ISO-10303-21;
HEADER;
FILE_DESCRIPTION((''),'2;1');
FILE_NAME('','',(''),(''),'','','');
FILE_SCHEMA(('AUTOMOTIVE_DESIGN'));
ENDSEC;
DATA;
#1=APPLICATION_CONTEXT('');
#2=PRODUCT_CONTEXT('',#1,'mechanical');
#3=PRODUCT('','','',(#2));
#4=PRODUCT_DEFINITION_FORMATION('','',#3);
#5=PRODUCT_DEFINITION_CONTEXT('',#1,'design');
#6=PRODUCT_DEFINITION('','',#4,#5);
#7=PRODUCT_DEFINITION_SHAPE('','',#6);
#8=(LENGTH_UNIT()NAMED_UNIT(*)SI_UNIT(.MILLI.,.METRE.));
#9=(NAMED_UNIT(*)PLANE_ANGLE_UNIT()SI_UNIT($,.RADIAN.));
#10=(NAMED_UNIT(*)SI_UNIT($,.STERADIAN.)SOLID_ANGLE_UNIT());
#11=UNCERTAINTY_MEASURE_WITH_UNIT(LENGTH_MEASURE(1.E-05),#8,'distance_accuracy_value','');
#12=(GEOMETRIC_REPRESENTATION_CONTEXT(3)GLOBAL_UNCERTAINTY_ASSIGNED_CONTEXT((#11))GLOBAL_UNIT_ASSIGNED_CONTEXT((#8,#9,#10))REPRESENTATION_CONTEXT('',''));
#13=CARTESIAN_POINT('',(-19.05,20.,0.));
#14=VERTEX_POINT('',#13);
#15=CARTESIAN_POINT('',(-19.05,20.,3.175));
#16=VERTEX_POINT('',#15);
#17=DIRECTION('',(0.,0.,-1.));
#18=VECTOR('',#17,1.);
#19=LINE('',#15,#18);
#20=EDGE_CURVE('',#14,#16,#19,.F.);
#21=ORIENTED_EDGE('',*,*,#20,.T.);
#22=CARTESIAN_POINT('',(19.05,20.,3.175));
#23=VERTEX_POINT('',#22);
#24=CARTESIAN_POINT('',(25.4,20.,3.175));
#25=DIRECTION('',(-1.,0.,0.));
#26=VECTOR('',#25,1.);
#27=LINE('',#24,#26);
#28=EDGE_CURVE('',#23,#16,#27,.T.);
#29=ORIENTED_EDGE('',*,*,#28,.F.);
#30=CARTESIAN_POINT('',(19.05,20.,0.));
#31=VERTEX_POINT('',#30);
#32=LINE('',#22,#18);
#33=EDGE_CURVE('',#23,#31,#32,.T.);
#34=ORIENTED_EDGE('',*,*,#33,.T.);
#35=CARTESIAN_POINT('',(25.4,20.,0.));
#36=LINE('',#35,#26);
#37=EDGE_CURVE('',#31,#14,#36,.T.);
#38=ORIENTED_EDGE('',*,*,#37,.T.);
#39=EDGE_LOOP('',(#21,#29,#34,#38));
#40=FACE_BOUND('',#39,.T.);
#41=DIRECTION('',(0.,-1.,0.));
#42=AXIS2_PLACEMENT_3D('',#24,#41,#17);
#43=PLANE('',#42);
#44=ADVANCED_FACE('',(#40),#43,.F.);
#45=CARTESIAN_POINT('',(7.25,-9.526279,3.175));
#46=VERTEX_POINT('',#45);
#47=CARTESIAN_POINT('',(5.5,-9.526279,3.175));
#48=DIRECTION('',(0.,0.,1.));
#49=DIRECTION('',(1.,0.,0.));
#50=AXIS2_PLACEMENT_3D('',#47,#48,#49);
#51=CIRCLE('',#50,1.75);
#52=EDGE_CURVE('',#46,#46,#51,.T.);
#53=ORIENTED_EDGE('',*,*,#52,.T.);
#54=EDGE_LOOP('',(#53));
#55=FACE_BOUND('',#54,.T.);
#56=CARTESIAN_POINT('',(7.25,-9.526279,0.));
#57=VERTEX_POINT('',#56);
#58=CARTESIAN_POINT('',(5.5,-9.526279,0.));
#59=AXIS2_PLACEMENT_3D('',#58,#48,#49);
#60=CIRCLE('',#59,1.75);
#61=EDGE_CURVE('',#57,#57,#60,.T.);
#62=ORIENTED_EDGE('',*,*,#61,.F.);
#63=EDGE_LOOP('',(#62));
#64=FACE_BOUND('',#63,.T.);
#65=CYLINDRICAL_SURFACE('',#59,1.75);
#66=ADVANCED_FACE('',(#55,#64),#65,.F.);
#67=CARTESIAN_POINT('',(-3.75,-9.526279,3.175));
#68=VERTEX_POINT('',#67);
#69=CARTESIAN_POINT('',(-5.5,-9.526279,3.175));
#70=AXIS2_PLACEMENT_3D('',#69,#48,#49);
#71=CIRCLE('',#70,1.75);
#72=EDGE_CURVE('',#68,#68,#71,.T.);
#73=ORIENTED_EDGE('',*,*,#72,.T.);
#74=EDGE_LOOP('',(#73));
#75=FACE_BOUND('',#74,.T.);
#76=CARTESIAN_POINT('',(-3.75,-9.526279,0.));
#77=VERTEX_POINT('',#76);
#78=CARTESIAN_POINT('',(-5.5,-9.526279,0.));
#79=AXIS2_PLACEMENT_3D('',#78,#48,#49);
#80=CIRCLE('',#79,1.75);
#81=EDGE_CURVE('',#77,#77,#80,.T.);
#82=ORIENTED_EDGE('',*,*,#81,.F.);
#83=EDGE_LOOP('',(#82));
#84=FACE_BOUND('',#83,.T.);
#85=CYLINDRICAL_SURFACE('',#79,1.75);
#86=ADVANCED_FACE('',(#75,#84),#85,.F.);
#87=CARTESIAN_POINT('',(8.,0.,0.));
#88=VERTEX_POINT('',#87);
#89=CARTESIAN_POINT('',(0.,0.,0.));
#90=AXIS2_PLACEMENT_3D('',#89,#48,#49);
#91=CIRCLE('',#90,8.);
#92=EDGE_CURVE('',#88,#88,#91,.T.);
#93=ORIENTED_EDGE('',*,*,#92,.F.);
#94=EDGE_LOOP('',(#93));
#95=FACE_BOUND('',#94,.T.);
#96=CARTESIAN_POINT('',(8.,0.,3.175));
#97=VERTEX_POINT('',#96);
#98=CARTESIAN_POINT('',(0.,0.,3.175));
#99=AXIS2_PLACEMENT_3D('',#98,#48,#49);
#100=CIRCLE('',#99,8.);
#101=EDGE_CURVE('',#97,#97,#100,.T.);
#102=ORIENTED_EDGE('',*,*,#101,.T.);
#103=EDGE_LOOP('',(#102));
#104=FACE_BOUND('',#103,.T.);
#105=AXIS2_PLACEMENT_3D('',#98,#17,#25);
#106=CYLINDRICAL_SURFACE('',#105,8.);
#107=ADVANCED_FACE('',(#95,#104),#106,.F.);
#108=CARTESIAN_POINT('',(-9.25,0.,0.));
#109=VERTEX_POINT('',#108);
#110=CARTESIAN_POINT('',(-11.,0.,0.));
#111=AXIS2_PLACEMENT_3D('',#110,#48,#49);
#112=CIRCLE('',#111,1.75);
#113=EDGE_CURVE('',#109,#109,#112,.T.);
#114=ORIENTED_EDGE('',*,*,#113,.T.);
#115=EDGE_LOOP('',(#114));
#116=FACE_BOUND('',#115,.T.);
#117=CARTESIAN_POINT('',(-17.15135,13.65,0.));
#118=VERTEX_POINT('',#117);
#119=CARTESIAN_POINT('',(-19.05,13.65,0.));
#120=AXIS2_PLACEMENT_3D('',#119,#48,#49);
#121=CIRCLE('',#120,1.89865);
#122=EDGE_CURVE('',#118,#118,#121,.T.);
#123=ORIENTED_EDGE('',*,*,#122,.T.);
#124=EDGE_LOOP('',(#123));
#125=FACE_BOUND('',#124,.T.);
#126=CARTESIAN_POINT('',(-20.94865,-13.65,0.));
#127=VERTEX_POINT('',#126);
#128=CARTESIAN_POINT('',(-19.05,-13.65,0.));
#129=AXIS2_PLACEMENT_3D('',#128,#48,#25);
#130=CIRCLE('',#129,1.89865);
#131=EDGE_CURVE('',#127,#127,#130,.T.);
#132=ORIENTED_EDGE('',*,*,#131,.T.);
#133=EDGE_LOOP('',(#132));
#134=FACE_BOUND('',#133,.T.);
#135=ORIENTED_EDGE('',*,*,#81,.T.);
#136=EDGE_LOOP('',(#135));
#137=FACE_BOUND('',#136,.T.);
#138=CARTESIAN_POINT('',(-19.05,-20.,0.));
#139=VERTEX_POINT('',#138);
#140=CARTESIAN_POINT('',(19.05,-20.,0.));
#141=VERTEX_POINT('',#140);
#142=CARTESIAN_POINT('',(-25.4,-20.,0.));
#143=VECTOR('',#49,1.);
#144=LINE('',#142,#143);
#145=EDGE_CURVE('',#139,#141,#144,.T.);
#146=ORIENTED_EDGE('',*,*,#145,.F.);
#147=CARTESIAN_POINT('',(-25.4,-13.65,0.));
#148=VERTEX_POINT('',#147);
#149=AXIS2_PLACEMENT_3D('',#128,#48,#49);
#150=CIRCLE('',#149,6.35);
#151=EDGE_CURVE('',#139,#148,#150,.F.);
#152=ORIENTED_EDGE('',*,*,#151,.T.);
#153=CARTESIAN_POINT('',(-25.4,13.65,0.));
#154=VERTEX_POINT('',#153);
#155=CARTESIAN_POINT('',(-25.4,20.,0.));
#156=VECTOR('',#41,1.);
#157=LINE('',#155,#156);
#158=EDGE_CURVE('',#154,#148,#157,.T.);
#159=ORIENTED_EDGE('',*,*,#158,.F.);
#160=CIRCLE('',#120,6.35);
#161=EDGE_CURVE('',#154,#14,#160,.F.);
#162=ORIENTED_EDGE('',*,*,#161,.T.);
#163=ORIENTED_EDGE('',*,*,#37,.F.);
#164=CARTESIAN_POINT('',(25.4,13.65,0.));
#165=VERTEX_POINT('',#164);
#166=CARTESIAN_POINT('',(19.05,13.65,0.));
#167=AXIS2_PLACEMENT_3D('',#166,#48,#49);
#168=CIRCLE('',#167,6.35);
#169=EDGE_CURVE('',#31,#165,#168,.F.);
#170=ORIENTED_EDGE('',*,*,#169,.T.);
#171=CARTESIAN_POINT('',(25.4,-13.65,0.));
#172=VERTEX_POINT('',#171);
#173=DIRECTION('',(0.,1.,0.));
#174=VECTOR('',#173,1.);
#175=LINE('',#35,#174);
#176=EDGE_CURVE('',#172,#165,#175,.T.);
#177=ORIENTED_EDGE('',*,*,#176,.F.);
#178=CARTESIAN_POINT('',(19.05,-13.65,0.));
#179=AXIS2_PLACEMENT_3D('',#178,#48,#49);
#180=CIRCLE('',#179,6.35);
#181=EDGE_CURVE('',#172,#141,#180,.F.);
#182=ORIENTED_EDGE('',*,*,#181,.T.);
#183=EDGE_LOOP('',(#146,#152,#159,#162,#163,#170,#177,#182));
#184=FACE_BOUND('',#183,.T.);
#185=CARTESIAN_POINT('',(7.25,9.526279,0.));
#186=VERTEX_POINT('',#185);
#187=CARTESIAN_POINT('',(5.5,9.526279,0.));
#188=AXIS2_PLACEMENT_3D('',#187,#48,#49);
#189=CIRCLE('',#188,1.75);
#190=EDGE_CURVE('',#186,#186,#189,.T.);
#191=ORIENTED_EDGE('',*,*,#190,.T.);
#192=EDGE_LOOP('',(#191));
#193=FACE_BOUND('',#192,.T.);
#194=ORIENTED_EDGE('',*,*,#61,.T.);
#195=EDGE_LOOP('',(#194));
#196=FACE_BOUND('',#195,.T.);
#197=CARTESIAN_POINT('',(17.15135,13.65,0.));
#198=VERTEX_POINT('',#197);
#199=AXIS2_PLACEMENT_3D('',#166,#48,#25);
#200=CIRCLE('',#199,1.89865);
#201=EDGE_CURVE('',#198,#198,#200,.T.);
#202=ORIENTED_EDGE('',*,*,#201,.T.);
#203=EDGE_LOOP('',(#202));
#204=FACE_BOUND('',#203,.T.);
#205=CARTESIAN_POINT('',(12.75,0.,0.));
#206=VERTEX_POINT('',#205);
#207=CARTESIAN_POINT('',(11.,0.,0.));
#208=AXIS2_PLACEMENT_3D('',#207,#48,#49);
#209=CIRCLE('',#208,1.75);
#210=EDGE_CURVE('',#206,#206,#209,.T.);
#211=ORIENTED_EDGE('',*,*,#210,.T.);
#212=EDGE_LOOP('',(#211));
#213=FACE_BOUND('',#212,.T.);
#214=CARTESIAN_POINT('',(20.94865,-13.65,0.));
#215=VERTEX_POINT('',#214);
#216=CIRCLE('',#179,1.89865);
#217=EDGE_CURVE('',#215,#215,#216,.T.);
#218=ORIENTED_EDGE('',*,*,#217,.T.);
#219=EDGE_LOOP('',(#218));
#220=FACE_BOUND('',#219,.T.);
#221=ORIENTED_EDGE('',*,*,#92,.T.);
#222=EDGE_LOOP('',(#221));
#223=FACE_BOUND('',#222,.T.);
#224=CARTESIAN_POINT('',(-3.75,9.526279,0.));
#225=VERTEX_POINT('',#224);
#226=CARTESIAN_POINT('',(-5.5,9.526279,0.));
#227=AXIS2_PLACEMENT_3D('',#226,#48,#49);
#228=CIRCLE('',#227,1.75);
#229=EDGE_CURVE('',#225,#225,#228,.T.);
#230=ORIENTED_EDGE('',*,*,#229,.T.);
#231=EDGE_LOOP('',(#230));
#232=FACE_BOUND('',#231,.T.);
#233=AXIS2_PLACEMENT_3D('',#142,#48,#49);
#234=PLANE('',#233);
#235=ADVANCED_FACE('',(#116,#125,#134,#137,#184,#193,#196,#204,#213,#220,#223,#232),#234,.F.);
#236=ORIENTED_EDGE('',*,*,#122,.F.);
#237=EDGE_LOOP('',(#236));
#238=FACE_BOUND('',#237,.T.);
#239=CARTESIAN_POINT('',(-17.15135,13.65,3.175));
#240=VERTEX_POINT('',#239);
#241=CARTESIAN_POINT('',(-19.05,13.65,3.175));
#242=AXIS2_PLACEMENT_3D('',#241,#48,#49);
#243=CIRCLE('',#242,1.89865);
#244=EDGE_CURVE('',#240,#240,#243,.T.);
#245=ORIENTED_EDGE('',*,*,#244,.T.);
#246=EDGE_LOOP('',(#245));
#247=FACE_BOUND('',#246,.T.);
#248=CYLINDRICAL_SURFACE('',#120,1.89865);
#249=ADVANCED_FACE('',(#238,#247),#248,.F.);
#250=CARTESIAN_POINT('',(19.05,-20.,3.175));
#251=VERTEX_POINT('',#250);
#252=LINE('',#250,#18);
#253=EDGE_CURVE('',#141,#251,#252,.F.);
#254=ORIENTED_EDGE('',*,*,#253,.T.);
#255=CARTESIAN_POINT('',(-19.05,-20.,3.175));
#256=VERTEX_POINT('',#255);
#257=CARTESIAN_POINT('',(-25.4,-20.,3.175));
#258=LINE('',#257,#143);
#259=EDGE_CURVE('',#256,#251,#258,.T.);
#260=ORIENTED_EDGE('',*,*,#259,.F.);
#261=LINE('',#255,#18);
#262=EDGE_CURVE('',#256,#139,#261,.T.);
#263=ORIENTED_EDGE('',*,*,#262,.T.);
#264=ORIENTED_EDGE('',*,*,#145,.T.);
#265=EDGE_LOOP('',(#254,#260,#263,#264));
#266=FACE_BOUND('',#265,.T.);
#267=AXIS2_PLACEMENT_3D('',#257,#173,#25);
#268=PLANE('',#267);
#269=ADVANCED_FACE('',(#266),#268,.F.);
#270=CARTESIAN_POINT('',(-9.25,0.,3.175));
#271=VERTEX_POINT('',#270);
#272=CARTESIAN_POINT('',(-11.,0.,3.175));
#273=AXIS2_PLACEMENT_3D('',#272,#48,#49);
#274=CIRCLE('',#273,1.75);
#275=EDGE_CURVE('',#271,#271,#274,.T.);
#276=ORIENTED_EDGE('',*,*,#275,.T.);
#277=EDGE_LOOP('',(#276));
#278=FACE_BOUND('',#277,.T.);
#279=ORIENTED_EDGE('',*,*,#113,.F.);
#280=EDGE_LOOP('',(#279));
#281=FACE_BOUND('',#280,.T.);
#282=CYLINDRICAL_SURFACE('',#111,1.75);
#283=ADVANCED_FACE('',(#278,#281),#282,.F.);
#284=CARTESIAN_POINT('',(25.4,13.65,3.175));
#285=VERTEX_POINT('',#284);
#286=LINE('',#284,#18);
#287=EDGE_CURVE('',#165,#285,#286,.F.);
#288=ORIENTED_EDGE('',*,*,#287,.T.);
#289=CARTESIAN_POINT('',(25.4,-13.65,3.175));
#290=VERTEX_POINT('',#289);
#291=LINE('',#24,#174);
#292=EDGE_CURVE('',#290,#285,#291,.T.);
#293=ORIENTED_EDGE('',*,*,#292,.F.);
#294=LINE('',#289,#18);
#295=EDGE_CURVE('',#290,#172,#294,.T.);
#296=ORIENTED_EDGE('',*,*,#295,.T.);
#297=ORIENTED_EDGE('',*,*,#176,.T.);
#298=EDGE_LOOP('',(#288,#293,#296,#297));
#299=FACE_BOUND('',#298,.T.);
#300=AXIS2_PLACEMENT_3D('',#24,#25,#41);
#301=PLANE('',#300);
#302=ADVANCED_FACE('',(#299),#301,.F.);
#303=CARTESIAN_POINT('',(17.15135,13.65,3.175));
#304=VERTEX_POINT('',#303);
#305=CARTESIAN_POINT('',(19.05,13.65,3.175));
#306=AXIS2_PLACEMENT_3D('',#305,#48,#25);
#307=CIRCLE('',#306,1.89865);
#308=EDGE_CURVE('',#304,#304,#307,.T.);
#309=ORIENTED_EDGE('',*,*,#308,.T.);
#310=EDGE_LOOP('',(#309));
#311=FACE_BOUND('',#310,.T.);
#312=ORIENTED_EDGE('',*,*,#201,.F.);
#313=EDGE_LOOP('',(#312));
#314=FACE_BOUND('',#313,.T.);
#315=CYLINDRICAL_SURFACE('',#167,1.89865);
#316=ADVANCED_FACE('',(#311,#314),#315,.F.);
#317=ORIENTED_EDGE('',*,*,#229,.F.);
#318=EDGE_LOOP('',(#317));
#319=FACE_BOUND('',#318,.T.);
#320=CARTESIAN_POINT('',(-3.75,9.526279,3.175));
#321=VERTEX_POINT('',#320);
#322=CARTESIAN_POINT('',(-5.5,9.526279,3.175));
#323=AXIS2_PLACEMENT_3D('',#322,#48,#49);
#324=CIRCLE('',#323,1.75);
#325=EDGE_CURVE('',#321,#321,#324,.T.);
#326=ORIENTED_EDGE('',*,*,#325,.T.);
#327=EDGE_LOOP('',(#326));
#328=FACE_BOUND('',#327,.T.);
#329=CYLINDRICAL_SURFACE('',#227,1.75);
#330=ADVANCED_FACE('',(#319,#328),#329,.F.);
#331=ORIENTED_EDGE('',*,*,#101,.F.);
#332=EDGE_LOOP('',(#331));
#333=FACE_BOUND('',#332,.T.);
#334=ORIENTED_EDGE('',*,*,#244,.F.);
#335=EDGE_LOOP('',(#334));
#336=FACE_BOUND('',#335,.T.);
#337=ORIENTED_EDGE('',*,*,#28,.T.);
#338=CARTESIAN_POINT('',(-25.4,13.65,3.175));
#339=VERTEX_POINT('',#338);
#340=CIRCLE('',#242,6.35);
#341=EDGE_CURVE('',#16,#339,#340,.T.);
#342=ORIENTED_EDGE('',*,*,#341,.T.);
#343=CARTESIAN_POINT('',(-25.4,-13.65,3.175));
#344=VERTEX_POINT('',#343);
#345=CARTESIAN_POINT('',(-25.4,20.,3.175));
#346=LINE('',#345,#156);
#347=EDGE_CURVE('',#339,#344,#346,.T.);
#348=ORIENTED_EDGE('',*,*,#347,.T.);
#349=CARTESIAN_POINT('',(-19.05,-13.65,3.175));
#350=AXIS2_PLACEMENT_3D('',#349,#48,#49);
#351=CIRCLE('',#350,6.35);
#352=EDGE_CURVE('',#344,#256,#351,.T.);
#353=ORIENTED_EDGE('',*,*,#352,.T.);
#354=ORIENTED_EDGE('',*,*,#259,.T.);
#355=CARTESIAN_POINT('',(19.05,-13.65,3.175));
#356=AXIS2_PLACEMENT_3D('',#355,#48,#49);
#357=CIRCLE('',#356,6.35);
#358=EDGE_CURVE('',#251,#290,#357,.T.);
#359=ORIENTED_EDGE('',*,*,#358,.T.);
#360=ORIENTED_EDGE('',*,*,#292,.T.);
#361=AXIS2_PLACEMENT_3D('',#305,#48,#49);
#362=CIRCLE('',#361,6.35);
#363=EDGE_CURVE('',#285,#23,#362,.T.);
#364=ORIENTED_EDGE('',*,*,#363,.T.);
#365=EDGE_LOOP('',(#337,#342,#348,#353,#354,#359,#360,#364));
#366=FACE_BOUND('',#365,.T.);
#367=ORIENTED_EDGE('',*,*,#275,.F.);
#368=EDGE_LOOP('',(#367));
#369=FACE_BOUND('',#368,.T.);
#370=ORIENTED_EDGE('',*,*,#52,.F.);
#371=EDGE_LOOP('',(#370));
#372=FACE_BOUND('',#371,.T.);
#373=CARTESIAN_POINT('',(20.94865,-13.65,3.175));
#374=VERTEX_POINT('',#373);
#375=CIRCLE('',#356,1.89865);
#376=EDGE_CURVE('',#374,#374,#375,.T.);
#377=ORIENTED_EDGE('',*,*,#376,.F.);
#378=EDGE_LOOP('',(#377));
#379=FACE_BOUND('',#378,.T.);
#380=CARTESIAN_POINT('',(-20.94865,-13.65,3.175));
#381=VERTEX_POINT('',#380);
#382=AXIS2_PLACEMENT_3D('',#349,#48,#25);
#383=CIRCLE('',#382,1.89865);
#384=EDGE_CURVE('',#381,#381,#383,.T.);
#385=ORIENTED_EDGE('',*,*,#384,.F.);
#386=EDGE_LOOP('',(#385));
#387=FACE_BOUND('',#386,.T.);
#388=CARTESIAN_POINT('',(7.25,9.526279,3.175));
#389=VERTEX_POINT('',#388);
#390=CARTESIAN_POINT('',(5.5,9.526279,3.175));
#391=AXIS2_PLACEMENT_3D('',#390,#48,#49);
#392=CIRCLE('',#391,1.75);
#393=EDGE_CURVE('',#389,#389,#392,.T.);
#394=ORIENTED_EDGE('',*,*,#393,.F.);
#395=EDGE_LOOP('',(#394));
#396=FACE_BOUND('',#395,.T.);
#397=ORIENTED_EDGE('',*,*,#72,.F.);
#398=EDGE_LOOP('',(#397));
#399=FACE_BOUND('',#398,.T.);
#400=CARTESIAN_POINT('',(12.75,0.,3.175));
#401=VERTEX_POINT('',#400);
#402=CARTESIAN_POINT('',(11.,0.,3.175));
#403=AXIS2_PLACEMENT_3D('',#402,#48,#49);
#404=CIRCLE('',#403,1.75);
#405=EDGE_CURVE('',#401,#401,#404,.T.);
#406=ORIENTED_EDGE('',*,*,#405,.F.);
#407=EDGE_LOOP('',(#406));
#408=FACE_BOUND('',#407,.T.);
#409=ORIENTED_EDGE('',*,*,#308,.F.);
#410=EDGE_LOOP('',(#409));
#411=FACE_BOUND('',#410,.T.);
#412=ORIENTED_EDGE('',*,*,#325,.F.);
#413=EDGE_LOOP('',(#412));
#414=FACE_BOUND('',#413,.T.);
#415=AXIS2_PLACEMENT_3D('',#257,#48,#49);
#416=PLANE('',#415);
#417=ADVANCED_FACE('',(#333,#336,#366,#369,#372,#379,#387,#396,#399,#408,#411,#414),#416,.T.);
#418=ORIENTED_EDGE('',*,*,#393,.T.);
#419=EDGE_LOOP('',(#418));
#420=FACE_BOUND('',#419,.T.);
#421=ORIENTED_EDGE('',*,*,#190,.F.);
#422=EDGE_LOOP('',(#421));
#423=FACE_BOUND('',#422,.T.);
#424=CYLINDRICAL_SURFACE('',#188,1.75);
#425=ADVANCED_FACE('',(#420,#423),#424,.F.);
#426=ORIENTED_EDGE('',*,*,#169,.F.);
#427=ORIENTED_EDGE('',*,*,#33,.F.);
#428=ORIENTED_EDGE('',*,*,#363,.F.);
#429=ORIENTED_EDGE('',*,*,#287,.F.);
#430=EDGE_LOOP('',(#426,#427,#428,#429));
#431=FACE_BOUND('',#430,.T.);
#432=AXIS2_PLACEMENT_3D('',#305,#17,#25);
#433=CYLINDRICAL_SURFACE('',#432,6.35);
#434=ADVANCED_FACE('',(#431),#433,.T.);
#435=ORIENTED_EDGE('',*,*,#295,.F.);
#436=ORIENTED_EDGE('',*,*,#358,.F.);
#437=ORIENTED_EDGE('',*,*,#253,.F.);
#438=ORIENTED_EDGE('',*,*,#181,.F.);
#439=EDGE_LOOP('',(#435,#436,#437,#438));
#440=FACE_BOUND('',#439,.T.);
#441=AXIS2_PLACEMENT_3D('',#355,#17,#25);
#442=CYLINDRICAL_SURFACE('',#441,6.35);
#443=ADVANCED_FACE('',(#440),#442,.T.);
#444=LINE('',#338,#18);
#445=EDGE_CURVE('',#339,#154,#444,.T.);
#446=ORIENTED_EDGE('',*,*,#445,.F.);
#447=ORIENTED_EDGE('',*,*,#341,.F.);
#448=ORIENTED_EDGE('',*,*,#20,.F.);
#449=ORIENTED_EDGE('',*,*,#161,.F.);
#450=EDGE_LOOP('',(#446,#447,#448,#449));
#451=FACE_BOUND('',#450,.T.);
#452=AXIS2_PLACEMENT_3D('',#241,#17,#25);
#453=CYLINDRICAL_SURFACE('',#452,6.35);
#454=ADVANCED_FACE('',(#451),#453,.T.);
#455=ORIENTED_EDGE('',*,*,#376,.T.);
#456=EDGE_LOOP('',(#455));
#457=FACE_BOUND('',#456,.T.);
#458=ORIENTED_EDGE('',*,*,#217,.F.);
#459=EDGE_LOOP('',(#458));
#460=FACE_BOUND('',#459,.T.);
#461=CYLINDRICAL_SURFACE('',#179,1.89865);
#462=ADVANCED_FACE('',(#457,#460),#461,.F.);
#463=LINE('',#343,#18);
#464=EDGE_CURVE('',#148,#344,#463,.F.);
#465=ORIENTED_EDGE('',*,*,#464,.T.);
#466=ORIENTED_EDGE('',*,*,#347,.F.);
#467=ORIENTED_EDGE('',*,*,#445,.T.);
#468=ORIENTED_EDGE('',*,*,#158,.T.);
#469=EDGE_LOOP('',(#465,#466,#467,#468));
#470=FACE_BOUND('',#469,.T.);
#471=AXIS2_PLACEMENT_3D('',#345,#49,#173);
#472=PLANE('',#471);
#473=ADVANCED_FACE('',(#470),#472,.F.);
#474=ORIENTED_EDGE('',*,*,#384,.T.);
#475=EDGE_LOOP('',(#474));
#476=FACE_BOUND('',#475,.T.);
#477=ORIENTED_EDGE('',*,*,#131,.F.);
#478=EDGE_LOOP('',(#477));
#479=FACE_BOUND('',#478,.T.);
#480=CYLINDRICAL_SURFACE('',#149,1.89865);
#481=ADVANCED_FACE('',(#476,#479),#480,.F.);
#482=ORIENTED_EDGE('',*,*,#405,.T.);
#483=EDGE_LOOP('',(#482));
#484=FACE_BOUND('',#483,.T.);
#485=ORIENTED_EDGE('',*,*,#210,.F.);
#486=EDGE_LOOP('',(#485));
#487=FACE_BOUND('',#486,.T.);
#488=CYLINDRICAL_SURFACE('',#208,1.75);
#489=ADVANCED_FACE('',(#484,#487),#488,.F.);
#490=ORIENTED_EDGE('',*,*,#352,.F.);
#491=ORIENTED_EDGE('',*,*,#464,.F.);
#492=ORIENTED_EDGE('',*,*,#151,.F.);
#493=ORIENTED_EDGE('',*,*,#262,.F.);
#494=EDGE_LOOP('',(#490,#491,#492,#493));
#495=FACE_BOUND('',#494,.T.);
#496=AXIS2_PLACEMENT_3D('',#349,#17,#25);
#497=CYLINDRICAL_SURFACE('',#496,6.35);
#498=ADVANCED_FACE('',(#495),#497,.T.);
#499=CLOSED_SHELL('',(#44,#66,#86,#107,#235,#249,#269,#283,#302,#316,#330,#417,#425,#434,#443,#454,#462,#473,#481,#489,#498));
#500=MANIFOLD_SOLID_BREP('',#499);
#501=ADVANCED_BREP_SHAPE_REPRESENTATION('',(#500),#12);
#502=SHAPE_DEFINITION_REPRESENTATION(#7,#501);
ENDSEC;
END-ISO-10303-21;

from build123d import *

# Parameters (mm, degrees)
SKETCH1_W           = 50.8
SKETCH1_H           = 40
SKETCH1_R           = 8
BOSS_EXTRUDE1_DEPTH = 3.175
FILLET1_R           = 6.35
SKETCH9_R           = 1.75
M3_THROUGH_DEPTH    = 33.484467442
SKETCH10_R          = 1.89865
CUT_EXTRUDE2_DEPTH  = 33.484467442


with BuildPart() as part:
    # Sketch1 → Boss-Extrude1 (new body)
    with BuildSketch(Plane.XY):
        Rectangle(SKETCH1_W, SKETCH1_H)
        Circle(SKETCH1_R, mode=Mode.SUBTRACT)
    extrude(amount=BOSS_EXTRUDE1_DEPTH)

    # Fillet1
    fillet1_edges = [part.edges().sort_by_distance(p)[0] for p in [
        (-25.4, 20, 1.5875),
        (25.4, 20, 1.5875),
        (25.4, -20, 1.5875),
        (-25.4, -20, 1.5875),
    ]]
    fillet(fillet1_edges, radius=FILLET1_R)

    # Sketch9 → M3-through (cut, through all)
    with BuildSketch(Plane.XY.offset(3.175)):
        with Locations((11, 0)):
            Circle(SKETCH9_R)
        with Locations((5.5, -9.526279442)):
            Circle(SKETCH9_R)
        with Locations((-5.5, -9.526279442)):
            Circle(SKETCH9_R)
        with Locations((-11, 0)):
            Circle(SKETCH9_R)
        with Locations((-5.5, 9.526279442)):
            Circle(SKETCH9_R)
        with Locations((5.5, 9.526279442)):
            Circle(SKETCH9_R)
    extrude(amount=-M3_THROUGH_DEPTH, mode=Mode.SUBTRACT)

    # Sketch10 → Cut-Extrude2 (cut, through all)
    with BuildSketch(Plane.XY.offset(3.175)):
        with Locations((19.05, -13.65)):
            Circle(SKETCH10_R)
        with Locations(Location((19.05, 13.65, 0), (0, 0, 180))):
            Circle(SKETCH10_R)
        with Locations(Location((-19.05, -13.65, 0), (0, 0, 180))):
            Circle(SKETCH10_R)
        with Locations((-19.05, 13.65)):
            Circle(SKETCH10_R)
    extrude(amount=-CUT_EXTRUDE2_DEPTH, mode=Mode.SUBTRACT)


solid = part.part
